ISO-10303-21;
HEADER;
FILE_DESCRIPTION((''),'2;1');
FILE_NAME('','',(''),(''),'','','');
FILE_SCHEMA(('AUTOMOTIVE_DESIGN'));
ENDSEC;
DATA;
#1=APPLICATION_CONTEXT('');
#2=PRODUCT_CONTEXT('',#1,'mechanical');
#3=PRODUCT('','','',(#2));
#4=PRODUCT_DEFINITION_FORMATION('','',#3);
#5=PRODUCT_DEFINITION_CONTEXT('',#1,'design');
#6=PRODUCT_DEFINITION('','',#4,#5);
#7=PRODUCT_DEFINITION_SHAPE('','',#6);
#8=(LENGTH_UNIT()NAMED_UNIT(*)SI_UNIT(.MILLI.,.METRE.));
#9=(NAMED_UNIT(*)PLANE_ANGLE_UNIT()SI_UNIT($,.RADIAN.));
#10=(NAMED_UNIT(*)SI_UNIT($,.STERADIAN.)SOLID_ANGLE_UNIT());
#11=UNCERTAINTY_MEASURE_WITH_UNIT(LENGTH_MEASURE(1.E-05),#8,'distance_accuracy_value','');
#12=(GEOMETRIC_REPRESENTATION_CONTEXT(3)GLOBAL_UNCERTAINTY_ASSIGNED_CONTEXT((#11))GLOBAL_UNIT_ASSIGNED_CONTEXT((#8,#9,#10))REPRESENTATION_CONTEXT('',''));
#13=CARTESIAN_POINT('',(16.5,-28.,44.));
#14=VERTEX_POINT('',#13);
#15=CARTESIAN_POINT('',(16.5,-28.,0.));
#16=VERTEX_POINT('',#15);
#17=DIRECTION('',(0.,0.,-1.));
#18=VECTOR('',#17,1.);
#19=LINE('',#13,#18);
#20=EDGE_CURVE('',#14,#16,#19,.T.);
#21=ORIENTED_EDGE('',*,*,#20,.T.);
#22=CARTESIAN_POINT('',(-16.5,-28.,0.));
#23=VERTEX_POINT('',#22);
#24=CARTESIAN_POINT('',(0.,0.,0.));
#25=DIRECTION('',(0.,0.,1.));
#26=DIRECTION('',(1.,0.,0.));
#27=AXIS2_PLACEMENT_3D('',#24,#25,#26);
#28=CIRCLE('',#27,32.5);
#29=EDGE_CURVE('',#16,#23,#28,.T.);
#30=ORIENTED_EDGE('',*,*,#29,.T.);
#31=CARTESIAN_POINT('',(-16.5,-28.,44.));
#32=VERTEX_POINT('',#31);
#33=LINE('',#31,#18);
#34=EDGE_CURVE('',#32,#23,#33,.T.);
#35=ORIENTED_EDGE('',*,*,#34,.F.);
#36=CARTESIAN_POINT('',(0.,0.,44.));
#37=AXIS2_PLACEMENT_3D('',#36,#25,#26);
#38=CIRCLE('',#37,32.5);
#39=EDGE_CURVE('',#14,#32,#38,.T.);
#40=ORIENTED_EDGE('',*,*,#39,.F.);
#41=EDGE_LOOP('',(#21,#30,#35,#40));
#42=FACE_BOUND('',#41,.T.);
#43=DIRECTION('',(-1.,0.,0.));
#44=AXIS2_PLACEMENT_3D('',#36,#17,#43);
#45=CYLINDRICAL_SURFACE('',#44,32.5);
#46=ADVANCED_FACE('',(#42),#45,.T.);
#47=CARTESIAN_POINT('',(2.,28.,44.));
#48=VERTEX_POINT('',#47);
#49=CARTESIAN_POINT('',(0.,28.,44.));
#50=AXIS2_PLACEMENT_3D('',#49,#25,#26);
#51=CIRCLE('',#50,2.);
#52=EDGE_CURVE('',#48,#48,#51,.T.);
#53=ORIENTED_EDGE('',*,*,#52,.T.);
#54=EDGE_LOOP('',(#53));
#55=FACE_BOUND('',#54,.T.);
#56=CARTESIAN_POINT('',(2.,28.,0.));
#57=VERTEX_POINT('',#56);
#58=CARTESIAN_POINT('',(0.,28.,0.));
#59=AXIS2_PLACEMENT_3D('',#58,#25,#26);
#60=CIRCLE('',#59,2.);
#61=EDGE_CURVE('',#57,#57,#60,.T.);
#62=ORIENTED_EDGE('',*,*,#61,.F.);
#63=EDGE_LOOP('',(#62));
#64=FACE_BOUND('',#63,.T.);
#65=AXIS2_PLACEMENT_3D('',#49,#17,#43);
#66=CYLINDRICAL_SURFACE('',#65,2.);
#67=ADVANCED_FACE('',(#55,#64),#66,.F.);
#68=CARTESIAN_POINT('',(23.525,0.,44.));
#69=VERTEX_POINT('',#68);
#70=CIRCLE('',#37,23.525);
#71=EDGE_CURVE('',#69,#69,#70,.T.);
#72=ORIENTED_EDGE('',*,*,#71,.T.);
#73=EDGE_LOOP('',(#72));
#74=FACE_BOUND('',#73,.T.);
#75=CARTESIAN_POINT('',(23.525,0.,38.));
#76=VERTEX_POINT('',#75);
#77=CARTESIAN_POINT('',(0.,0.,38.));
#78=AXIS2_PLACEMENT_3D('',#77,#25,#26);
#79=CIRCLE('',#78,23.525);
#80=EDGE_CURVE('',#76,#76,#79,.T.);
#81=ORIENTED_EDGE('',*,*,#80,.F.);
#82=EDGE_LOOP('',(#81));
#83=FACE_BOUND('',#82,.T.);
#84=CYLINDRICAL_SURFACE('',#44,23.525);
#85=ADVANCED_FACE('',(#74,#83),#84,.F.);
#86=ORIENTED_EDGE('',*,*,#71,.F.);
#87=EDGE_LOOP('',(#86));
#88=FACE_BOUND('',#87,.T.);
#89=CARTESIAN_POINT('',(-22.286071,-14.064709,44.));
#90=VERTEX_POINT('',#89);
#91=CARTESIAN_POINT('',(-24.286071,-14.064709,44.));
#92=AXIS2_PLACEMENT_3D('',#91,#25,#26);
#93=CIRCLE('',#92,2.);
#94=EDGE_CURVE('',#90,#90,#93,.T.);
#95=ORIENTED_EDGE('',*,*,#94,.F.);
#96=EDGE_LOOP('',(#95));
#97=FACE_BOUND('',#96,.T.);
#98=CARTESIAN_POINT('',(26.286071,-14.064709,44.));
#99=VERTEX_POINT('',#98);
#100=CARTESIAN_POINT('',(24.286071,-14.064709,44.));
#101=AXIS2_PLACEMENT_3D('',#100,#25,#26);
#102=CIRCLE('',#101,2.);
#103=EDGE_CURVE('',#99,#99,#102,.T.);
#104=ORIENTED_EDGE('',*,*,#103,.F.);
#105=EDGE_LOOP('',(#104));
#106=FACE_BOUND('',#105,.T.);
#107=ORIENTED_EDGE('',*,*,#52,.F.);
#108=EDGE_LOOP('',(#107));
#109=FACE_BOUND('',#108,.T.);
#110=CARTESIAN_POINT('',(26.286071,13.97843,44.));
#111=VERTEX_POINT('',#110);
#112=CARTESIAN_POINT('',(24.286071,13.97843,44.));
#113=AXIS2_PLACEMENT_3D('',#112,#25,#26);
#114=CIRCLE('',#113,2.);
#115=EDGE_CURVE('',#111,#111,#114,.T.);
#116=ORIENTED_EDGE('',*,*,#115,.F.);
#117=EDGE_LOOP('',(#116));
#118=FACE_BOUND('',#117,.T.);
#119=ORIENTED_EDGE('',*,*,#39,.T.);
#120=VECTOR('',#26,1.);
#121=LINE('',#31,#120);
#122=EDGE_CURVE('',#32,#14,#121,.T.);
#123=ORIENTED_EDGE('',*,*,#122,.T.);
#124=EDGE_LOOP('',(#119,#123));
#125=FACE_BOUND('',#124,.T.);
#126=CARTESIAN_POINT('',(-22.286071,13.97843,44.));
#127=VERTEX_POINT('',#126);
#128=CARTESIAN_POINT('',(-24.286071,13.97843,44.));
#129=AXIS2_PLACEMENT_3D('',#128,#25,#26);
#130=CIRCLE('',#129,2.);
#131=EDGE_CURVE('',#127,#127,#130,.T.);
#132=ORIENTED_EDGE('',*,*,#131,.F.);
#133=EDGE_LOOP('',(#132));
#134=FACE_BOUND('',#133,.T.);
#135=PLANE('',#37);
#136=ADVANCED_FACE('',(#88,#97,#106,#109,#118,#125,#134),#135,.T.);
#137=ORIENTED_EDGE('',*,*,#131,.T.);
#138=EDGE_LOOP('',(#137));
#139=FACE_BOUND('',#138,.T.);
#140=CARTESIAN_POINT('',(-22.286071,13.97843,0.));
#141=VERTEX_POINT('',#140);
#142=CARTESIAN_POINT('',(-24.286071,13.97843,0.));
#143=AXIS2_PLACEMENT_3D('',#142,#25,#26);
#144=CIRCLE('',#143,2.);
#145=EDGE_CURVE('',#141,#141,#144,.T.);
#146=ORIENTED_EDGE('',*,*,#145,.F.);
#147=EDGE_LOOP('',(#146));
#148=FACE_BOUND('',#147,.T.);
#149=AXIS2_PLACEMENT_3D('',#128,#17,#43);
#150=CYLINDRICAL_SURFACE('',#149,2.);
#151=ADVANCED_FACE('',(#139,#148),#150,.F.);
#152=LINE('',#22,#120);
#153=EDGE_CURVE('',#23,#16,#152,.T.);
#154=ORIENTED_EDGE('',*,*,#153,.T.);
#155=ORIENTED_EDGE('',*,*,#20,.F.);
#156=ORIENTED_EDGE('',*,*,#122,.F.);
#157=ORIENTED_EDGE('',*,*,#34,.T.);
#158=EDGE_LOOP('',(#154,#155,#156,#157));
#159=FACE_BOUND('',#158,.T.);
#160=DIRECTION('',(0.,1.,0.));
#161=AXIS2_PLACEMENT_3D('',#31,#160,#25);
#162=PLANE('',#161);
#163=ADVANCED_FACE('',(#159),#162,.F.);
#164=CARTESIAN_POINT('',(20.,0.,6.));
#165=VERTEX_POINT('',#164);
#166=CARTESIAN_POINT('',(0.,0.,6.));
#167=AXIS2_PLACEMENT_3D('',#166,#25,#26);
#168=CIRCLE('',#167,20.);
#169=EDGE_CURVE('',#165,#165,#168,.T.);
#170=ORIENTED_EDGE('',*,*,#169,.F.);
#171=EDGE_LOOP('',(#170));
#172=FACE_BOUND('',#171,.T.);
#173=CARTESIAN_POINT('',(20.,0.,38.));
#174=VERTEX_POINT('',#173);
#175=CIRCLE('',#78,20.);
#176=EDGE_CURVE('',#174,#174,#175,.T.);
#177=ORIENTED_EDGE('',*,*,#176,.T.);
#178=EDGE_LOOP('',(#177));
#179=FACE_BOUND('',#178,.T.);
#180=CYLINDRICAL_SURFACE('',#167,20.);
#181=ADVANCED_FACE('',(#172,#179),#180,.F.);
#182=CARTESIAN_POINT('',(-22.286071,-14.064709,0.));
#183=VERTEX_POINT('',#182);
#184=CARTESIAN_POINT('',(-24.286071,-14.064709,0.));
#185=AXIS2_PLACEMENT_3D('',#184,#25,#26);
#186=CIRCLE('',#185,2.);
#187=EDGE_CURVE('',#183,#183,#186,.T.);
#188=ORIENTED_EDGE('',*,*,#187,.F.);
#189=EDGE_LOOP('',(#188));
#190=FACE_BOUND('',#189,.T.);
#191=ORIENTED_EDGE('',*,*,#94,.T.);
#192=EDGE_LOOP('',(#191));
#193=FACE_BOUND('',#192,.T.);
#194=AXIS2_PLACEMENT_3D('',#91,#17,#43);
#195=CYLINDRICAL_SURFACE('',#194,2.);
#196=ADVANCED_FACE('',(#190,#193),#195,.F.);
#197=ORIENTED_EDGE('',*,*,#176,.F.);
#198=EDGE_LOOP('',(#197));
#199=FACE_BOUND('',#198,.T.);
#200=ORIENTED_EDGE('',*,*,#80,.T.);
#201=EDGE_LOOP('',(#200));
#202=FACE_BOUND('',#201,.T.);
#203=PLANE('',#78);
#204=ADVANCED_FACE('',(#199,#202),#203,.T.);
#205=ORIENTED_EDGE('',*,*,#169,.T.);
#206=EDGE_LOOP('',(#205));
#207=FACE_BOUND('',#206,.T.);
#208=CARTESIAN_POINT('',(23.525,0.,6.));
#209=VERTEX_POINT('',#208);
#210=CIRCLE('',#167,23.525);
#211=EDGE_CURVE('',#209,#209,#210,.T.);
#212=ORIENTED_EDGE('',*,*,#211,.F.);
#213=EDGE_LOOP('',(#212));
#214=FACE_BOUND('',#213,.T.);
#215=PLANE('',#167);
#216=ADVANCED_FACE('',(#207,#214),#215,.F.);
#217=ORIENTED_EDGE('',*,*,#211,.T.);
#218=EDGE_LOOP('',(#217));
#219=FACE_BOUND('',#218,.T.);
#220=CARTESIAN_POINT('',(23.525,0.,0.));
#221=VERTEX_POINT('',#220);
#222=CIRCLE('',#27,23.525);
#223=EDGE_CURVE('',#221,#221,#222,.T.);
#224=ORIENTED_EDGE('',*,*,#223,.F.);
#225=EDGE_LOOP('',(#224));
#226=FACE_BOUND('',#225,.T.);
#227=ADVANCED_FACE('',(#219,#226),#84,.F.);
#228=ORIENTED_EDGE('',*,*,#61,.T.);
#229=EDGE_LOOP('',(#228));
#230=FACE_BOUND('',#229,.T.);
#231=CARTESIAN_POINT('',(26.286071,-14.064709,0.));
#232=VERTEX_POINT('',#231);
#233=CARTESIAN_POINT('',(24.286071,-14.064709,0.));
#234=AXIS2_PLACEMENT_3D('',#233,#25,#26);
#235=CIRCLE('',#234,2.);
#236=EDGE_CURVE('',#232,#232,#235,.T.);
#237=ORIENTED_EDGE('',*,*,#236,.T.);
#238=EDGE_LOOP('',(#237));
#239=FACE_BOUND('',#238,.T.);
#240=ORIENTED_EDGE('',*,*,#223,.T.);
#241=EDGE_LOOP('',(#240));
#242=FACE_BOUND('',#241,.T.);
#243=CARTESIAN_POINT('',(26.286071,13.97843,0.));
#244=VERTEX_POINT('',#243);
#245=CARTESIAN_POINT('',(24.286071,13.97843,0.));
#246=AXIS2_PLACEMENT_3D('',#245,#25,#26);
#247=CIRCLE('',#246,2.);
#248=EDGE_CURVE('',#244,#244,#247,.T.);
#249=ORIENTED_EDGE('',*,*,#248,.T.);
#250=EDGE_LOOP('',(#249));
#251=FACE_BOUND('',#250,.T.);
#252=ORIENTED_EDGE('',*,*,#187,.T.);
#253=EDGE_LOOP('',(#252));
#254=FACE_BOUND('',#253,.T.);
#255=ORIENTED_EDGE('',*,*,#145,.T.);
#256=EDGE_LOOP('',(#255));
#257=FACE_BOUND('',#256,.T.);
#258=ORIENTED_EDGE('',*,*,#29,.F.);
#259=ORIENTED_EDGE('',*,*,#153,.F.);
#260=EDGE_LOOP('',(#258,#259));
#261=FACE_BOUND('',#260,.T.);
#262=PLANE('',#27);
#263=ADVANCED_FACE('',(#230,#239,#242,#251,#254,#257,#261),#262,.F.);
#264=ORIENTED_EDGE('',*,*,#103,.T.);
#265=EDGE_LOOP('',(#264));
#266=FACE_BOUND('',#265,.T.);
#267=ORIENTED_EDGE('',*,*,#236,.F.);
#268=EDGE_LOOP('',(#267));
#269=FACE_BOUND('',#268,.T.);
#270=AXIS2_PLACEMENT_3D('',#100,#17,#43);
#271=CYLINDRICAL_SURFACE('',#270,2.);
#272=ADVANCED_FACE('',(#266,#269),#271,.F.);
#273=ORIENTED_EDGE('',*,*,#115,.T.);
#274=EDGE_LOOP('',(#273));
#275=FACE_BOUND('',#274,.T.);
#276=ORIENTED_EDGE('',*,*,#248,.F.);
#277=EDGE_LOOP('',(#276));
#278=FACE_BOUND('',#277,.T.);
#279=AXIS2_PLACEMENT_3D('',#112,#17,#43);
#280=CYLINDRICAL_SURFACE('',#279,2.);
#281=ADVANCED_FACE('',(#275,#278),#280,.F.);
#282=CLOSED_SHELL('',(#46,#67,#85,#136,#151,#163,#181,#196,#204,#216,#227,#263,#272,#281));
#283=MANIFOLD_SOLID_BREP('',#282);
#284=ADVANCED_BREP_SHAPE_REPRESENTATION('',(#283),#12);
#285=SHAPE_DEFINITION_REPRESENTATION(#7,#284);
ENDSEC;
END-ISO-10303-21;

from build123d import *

# Parameters (mm, degrees)
SKETCH1_R                = 23.525
SKETCH1_R_2              = 2
BOSS_EXTRUDE1_DEPTH      = 44
BOSS_EXTRUDE2_DEPTH      = 16
BOSS_EXTRUDE2_DEPTH_BACK = 16
SKETCH2_R                = 23.6
SKETCH2_R_2              = 20


with BuildPart() as part:
    # Sketch1 → Boss-Extrude1 (new body)
    with BuildSketch(Plane.XY):
        with BuildLine():
            Line((-16.5, -28), (16.5, -28))
            ThreePointArc((16.5, -28), (0, 32.5), (-16.5, -28))
        make_face()
        Circle(SKETCH1_R, mode=Mode.SUBTRACT)
        with Locations((0, 28)):
            Circle(SKETCH1_R_2, mode=Mode.SUBTRACT)
        with Locations((24.286071043, 13.978430346)):
            Circle(SKETCH1_R_2, mode=Mode.SUBTRACT)
        with Locations((24.286071043, -14.064708963)):
            Circle(SKETCH1_R_2, mode=Mode.SUBTRACT)
        with Locations((-24.286071043, -14.064708963)):
            Circle(SKETCH1_R_2, mode=Mode.SUBTRACT)
        with Locations((-24.286071043, 13.978430346)):
            Circle(SKETCH1_R_2, mode=Mode.SUBTRACT)
    extrude(amount=BOSS_EXTRUDE1_DEPTH)

    # Sketch2 → Boss-Extrude2 (add, two sides: drawn at the far end of the back side and taken through both)
    with BuildSketch(Plane.XY.offset(22).offset(-BOSS_EXTRUDE2_DEPTH_BACK)):
        Circle(SKETCH2_R)
        Circle(SKETCH2_R_2, mode=Mode.SUBTRACT)
    extrude(amount=BOSS_EXTRUDE2_DEPTH + BOSS_EXTRUDE2_DEPTH_BACK)


solid = part.part
